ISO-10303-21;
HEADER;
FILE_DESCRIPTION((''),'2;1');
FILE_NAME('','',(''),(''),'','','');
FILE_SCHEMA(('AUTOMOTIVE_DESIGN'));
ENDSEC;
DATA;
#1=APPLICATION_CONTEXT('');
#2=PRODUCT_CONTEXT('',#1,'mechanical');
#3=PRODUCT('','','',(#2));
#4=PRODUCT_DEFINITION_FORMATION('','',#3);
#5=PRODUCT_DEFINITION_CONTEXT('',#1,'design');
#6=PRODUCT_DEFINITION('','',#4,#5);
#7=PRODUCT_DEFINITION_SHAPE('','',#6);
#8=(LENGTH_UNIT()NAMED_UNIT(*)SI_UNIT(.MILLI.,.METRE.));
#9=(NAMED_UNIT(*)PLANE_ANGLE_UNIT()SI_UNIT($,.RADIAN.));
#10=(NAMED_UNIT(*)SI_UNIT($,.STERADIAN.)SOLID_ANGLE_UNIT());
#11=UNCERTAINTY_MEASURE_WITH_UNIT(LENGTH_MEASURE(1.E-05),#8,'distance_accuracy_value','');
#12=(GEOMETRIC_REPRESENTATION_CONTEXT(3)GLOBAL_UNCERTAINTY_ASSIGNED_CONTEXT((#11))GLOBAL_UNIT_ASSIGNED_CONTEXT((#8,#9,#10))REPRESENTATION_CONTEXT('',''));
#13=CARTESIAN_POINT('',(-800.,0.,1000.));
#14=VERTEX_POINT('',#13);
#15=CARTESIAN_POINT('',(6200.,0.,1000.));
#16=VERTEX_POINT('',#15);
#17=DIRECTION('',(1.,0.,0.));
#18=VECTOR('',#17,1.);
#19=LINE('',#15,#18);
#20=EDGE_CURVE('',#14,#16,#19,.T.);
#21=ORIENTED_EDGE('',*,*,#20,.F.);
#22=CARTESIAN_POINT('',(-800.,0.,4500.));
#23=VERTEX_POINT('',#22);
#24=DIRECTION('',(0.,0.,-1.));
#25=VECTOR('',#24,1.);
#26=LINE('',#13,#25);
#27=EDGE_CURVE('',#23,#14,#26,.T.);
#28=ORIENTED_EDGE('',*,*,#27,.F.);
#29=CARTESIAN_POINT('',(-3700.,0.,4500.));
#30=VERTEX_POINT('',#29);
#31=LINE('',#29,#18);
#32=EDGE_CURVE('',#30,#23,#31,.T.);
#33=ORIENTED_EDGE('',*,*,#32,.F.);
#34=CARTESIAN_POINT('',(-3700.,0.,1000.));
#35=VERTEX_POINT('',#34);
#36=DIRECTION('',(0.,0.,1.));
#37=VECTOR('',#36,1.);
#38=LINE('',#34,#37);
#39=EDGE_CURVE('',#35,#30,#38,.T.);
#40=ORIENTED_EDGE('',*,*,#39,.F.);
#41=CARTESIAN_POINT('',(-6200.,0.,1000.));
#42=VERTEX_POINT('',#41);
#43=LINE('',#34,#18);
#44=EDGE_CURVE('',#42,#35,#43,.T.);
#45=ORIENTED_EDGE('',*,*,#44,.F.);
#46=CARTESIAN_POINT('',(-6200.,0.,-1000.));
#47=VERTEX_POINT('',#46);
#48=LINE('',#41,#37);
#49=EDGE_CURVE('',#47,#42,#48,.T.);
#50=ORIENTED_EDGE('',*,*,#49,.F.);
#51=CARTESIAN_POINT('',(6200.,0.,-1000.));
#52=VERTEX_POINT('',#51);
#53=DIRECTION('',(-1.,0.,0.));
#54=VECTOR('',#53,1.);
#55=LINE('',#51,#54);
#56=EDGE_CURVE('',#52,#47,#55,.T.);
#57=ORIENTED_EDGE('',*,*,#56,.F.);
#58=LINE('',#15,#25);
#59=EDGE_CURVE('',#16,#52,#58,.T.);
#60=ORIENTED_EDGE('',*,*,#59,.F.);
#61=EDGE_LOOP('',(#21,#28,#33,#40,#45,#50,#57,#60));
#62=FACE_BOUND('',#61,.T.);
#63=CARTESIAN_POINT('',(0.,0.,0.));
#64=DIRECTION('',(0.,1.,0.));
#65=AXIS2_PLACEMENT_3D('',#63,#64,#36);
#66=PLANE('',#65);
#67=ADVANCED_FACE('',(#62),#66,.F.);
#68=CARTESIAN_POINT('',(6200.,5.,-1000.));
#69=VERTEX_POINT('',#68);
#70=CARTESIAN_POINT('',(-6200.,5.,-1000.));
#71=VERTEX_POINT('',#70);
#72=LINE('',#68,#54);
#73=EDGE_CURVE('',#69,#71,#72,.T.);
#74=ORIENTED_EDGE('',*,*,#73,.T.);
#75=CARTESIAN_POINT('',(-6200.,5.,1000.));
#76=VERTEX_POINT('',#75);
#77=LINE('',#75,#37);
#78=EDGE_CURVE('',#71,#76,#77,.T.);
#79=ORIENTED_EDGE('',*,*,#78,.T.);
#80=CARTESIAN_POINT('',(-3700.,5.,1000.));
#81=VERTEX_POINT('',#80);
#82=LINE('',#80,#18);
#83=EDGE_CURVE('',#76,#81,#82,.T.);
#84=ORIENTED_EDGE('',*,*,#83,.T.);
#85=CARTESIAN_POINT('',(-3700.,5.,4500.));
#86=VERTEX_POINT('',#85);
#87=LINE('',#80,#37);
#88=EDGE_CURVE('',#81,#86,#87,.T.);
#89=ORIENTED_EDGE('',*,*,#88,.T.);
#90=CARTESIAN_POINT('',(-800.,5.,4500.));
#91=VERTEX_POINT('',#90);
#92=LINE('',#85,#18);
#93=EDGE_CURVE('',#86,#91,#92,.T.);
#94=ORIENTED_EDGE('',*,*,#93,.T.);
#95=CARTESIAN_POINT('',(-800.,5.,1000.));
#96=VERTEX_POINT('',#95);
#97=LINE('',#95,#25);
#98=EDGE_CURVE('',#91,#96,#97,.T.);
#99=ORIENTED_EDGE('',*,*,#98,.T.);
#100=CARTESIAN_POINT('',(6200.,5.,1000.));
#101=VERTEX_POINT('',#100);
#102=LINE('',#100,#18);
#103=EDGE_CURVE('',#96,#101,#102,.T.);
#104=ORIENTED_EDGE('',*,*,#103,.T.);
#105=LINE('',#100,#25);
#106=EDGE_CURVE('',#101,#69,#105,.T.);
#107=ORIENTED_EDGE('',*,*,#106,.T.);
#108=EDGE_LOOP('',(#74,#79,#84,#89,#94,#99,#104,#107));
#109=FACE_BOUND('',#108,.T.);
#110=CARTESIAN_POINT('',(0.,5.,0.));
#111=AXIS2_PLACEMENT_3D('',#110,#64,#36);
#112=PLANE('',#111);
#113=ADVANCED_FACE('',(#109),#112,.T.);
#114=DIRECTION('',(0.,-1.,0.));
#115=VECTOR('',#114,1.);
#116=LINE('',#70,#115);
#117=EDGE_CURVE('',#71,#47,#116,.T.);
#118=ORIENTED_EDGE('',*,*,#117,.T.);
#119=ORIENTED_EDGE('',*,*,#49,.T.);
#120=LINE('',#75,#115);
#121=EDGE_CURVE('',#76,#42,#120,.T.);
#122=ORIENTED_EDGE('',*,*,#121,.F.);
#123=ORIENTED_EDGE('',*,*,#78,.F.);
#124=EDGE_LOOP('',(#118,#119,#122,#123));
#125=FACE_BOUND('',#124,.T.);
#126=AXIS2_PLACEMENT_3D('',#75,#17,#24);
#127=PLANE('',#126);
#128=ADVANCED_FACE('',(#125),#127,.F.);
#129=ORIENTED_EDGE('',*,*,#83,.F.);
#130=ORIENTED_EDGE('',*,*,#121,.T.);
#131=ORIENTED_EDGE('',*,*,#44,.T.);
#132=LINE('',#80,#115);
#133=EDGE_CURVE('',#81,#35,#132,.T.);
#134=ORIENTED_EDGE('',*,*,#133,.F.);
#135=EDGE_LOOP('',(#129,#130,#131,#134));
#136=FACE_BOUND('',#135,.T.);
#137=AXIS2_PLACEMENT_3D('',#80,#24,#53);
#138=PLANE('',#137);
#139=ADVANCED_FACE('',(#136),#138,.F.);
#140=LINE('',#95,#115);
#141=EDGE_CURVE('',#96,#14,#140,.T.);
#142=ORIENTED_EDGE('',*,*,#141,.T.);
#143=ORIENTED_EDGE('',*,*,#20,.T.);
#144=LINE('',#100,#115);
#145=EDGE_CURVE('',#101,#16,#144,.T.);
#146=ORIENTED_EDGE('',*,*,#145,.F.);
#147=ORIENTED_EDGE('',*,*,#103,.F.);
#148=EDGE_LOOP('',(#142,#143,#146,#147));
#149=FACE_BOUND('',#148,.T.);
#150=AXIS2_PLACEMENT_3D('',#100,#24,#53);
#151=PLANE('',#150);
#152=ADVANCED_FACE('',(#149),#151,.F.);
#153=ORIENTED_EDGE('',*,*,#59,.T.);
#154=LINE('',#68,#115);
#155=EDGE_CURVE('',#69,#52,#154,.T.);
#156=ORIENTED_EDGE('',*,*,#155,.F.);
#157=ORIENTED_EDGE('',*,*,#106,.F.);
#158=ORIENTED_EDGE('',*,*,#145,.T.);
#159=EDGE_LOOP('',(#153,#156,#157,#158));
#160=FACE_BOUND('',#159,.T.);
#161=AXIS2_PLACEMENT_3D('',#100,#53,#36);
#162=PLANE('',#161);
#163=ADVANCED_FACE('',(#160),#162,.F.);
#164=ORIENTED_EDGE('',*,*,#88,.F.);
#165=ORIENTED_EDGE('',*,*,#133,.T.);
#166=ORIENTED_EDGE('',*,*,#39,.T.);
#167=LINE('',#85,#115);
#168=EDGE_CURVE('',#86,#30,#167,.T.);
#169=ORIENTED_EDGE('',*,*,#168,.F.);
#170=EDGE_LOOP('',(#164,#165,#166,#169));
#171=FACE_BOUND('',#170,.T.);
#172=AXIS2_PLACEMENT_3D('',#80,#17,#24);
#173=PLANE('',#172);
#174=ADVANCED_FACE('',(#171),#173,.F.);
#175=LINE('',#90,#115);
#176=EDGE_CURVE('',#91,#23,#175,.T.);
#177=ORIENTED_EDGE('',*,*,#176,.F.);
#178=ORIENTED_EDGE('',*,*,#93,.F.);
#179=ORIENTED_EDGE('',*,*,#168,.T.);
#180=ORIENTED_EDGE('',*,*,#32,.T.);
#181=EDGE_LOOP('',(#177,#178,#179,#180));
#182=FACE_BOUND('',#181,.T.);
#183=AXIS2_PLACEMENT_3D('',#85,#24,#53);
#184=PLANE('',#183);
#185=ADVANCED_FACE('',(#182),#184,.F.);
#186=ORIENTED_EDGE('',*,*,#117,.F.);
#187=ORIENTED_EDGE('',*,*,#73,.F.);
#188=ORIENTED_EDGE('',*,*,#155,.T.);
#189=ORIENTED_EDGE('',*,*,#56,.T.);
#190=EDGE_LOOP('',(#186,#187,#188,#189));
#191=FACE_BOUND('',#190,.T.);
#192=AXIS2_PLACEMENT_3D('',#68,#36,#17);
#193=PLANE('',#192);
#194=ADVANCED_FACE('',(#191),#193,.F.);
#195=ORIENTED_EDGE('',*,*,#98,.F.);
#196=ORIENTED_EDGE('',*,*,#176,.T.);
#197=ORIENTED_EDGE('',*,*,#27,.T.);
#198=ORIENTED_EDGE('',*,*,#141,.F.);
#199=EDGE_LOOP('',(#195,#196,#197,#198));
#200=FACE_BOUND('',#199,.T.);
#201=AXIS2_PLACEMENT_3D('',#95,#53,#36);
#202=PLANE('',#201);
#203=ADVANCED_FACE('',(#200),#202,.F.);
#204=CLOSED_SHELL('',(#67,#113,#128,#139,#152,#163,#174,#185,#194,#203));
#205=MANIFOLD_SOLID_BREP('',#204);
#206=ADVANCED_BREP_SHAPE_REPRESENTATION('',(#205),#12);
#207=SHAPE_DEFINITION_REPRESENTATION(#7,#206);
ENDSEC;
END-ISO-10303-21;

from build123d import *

# Parameters (mm, degrees)
BOSS_EXTRUDE1_DEPTH = 5


with BuildPart() as part:
    # Sketch1 → Boss-Extrude1 (new body)
    with BuildSketch(Plane(origin=(0, 0, 0), x_dir=(1, 0, 0), z_dir=(0, 1, 0))):
        Polygon((-3700, -1000), (-6200, -1000), (-6200, 1000), (6200, 1000), (6200, -1000), (-800, -1000), (-800, -4500), (-3700, -4500), align=None)
    extrude(amount=BOSS_EXTRUDE1_DEPTH)


solid = part.part
